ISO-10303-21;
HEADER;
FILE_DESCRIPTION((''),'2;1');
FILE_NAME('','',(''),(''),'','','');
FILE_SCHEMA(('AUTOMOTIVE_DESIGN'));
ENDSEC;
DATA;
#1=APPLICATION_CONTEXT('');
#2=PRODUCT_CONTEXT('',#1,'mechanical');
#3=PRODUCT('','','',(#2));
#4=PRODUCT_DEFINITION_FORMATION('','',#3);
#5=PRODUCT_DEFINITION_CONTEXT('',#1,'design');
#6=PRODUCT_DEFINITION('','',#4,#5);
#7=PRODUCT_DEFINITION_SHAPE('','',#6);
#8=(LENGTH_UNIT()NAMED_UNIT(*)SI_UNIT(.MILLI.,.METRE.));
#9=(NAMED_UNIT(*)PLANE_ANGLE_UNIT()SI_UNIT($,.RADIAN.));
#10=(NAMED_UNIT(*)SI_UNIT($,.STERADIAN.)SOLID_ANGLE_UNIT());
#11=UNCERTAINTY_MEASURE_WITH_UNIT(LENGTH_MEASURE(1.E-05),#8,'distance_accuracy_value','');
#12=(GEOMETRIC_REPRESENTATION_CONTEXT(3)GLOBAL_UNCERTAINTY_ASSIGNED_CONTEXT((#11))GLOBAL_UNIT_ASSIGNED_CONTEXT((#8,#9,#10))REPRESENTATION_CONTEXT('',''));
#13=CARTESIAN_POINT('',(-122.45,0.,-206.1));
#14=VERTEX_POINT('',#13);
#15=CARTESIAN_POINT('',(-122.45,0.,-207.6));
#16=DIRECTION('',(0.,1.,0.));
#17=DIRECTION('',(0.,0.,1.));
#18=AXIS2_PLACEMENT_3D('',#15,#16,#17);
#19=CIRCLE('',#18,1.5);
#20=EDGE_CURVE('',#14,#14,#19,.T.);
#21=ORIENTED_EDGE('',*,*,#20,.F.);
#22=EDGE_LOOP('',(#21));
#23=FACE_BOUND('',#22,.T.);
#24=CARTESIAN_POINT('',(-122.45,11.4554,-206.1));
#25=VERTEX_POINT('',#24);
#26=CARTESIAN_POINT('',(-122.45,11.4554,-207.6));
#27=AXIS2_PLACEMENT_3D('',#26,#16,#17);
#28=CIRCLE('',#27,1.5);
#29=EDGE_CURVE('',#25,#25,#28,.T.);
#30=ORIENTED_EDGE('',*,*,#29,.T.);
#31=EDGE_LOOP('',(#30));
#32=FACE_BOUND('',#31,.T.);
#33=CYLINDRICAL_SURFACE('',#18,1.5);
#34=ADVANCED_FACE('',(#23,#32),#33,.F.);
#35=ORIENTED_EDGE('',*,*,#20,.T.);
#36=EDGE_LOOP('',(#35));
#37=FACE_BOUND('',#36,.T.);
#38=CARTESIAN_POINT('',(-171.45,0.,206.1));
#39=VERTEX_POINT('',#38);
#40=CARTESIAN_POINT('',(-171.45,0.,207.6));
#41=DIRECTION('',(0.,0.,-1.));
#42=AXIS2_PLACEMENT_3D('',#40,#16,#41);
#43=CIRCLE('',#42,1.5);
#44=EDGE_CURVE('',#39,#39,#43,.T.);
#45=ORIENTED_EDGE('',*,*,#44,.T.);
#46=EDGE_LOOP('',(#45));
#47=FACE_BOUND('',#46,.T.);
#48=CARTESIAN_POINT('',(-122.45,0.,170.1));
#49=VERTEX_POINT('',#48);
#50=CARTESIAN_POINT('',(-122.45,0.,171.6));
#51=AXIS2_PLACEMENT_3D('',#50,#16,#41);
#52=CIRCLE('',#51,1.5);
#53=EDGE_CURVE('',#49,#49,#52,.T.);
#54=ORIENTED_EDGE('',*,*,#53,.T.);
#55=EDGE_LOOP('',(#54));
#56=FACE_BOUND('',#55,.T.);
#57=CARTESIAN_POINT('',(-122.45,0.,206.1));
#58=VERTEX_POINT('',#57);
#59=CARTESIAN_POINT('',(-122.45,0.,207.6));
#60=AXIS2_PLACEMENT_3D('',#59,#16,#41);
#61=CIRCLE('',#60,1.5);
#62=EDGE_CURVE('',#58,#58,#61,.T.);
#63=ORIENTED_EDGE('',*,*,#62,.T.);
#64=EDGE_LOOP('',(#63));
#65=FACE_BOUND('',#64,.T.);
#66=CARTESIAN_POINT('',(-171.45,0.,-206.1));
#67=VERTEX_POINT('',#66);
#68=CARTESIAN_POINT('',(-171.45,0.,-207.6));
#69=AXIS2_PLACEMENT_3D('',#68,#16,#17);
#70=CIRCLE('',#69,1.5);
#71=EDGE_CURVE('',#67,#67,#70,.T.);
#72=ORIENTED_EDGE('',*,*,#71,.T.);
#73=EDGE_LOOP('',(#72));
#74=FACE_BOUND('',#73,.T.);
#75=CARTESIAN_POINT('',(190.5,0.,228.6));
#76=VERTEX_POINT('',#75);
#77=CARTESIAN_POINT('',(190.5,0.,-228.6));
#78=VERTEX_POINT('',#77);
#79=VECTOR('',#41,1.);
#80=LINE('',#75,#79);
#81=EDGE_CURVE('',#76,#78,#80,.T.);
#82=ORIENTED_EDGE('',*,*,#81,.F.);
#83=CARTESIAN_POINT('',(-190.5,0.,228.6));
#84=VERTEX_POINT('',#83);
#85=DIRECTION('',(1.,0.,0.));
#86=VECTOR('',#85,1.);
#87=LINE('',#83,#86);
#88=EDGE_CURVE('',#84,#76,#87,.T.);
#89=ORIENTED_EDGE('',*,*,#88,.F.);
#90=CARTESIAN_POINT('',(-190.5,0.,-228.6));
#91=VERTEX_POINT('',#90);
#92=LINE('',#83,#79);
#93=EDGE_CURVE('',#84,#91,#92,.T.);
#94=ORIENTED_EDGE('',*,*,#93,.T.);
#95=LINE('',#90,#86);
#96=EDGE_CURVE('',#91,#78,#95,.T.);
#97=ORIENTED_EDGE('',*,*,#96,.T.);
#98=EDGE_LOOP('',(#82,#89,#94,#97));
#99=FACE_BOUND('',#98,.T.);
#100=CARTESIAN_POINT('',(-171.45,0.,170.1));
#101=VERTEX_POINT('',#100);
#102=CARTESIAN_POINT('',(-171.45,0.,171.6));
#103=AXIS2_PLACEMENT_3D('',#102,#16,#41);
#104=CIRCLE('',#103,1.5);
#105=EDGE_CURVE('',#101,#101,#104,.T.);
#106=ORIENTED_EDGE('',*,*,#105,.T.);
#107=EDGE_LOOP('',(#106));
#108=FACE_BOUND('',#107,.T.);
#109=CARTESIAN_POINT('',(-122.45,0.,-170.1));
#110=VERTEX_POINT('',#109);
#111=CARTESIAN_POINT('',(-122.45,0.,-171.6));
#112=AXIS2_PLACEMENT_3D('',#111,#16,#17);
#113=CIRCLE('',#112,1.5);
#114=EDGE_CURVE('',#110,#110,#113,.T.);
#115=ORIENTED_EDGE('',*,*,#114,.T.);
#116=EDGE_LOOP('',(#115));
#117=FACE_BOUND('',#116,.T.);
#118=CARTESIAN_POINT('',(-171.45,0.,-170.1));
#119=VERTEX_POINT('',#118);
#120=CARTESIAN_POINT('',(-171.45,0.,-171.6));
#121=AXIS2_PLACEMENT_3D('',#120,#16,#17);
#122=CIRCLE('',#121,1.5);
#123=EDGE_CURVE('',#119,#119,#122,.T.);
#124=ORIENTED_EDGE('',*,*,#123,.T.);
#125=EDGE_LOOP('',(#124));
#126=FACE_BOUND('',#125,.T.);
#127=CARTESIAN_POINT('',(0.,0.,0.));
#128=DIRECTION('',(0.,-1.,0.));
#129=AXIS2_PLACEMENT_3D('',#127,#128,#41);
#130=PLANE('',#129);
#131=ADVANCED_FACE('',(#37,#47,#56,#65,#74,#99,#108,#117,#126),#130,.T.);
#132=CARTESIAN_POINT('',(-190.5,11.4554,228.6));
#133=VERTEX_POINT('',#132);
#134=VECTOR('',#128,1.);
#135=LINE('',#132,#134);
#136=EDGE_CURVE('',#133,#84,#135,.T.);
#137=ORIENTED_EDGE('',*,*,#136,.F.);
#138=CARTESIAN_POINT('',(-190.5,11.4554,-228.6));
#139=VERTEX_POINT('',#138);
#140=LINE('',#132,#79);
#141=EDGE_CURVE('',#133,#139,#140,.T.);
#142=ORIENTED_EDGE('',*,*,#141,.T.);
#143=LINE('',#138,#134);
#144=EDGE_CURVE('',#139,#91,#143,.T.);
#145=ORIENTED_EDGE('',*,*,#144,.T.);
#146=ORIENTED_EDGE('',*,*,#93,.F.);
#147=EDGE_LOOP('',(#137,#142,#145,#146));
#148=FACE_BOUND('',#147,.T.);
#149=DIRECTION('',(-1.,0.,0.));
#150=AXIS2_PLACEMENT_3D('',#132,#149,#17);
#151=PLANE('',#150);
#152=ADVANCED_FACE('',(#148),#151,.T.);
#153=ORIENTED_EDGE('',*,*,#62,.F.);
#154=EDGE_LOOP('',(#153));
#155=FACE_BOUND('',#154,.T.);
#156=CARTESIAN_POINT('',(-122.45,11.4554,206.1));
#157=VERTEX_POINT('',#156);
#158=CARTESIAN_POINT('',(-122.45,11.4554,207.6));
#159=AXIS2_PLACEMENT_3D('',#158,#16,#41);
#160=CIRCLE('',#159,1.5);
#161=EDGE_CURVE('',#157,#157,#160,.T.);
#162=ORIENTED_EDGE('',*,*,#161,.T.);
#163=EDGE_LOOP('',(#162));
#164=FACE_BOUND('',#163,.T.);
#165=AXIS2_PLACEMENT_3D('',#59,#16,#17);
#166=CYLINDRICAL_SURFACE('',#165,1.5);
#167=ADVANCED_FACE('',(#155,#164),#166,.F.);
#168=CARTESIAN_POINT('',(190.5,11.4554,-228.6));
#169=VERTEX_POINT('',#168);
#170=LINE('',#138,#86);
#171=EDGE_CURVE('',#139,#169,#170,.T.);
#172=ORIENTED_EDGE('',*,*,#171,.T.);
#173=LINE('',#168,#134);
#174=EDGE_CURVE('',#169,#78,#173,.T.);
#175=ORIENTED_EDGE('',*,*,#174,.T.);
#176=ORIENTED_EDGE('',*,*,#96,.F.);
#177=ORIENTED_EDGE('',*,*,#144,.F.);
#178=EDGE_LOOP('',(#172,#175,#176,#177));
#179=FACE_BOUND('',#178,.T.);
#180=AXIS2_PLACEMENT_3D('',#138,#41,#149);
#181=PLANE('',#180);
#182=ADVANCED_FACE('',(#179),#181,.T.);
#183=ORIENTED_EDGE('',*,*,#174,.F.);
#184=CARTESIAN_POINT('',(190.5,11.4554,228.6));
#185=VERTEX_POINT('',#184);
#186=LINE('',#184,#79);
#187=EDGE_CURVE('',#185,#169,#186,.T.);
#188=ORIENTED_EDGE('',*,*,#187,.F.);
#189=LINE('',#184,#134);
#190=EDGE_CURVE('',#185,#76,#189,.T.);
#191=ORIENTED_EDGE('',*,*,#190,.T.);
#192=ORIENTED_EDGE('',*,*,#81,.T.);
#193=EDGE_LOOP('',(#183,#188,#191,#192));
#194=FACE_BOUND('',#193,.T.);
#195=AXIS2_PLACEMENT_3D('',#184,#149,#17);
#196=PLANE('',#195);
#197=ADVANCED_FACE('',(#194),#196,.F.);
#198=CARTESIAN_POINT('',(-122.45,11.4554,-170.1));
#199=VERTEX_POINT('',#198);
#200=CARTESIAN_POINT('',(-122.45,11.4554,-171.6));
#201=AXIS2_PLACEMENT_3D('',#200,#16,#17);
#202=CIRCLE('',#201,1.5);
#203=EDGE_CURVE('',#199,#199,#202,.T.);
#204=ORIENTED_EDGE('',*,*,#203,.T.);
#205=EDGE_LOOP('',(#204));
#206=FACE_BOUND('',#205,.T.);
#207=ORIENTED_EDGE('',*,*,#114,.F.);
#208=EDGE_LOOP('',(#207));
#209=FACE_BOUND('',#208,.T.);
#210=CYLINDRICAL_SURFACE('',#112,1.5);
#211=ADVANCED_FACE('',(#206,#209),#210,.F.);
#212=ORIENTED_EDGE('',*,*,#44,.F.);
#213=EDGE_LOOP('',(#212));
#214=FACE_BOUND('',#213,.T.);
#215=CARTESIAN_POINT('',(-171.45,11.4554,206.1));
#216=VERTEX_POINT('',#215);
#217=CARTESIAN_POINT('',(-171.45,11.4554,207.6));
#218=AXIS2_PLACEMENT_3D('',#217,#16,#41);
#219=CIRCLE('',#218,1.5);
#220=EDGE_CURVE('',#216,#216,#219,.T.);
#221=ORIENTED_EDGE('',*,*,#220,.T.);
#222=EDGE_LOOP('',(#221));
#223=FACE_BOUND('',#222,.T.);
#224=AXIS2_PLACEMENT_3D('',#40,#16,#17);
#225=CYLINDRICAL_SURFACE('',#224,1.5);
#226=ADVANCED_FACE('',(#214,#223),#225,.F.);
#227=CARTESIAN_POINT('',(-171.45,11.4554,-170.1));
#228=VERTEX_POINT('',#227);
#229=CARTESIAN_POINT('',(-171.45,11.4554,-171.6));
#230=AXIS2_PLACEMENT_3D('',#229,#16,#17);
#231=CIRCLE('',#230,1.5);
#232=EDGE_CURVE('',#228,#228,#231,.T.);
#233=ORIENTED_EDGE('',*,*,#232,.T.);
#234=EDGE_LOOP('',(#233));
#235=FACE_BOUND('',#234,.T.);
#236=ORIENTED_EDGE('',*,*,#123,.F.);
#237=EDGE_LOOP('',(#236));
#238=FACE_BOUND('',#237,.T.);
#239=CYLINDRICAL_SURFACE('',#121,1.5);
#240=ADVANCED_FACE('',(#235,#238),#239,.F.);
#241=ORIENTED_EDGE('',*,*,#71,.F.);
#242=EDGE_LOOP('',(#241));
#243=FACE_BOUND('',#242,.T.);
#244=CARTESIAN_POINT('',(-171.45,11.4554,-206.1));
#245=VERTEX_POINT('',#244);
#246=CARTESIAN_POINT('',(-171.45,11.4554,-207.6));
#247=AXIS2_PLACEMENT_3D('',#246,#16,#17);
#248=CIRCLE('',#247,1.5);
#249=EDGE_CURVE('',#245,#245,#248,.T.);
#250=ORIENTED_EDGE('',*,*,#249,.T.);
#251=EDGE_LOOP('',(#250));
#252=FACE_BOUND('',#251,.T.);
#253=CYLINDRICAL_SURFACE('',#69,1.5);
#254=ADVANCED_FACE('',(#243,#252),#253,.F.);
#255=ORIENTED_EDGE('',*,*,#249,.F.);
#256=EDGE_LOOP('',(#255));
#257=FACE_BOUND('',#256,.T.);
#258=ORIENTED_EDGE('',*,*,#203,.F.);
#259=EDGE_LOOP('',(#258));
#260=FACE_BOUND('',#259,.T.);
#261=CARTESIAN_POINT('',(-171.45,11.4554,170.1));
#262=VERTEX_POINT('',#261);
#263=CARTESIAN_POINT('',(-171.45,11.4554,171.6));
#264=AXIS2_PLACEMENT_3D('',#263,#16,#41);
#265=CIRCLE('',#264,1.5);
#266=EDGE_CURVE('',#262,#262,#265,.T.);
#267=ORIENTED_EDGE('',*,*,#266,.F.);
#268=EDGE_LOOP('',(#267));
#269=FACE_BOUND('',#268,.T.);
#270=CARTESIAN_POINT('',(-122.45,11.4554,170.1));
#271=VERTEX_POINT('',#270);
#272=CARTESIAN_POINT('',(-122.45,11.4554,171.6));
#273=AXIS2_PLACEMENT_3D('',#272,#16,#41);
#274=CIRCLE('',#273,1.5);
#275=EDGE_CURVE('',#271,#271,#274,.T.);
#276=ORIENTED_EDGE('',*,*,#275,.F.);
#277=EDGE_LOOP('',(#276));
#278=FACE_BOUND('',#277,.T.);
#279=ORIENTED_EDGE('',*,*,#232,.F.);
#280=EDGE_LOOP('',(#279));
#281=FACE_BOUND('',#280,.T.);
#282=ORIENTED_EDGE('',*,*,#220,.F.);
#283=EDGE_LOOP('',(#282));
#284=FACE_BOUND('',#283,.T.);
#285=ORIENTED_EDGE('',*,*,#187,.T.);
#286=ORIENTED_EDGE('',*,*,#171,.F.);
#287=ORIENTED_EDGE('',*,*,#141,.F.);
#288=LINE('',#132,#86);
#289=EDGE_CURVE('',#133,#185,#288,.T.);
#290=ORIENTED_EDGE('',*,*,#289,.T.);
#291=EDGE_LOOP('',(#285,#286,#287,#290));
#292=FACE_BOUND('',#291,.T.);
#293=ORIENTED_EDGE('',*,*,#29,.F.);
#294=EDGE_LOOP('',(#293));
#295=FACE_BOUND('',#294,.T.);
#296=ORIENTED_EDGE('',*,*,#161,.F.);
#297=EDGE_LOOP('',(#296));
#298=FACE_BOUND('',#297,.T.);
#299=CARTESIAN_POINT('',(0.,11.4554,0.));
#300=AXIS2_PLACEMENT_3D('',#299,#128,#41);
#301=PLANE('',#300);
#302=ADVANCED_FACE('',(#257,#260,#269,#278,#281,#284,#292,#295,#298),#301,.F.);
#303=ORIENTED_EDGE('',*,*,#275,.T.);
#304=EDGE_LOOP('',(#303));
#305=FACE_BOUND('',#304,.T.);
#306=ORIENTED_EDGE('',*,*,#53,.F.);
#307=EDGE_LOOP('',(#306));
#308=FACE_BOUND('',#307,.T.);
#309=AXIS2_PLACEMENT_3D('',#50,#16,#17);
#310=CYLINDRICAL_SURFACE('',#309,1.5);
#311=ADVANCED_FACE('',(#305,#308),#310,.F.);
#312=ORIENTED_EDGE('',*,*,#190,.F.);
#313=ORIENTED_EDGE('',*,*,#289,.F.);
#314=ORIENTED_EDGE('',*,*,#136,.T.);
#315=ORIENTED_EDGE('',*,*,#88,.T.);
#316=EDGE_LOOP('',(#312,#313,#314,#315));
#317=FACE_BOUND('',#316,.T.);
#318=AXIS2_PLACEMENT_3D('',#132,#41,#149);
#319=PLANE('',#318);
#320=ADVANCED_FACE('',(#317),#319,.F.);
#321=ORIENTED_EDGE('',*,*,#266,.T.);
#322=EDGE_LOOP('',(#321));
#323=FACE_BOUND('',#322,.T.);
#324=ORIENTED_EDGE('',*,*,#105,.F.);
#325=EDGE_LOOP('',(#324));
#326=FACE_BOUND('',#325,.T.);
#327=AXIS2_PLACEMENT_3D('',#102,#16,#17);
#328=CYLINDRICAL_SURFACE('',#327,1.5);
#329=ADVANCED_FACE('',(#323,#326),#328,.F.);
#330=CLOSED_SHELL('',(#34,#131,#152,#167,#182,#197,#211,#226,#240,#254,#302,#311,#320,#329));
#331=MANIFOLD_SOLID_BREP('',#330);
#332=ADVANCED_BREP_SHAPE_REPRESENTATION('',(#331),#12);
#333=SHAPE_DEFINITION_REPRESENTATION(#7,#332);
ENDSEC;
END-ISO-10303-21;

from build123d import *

# Parameters (mm, degrees)
SKETCH1_W           = 381
SKETCH1_H           = 457.2
BOSS_EXTRUDE1_DEPTH = 11.4554
SKETCH3_R           = 1.5
CUT_EXTRUDE1_DEPTH  = 12.4554


with BuildPart() as part:
    # Sketch1 → Boss-Extrude1 (new body)
    with BuildSketch(Plane(origin=(0, 0, 0), x_dir=(1, 0, 0), z_dir=(0, 1, 0))):
        Rectangle(SKETCH1_W, SKETCH1_H)
    extrude(amount=BOSS_EXTRUDE1_DEPTH)

    # Sketch3 → Cut-Extrude1 (cut, through all)
    with BuildSketch(Plane(origin=(0, 11.4554, 0), x_dir=(1, 0, 0), z_dir=(0, 1, 0))):
        with Locations((-122.45, 207.6)):
            Circle(SKETCH3_R)
        with Locations((-171.45, 207.6)):
            Circle(SKETCH3_R)
        with Locations((-171.45, 171.6)):
            Circle(SKETCH3_R)
        with Locations((-122.45, 171.6)):
            Circle(SKETCH3_R)
        with Locations((-122.45, -171.6)):
            Circle(SKETCH3_R)
        with Locations((-171.45, -171.6)):
            Circle(SKETCH3_R)
        with Locations((-171.45, -207.6)):
            Circle(SKETCH3_R)
        with Locations((-122.45, -207.6)):
            Circle(SKETCH3_R)
    extrude(amount=-CUT_EXTRUDE1_DEPTH, mode=Mode.SUBTRACT)


solid = part.part
